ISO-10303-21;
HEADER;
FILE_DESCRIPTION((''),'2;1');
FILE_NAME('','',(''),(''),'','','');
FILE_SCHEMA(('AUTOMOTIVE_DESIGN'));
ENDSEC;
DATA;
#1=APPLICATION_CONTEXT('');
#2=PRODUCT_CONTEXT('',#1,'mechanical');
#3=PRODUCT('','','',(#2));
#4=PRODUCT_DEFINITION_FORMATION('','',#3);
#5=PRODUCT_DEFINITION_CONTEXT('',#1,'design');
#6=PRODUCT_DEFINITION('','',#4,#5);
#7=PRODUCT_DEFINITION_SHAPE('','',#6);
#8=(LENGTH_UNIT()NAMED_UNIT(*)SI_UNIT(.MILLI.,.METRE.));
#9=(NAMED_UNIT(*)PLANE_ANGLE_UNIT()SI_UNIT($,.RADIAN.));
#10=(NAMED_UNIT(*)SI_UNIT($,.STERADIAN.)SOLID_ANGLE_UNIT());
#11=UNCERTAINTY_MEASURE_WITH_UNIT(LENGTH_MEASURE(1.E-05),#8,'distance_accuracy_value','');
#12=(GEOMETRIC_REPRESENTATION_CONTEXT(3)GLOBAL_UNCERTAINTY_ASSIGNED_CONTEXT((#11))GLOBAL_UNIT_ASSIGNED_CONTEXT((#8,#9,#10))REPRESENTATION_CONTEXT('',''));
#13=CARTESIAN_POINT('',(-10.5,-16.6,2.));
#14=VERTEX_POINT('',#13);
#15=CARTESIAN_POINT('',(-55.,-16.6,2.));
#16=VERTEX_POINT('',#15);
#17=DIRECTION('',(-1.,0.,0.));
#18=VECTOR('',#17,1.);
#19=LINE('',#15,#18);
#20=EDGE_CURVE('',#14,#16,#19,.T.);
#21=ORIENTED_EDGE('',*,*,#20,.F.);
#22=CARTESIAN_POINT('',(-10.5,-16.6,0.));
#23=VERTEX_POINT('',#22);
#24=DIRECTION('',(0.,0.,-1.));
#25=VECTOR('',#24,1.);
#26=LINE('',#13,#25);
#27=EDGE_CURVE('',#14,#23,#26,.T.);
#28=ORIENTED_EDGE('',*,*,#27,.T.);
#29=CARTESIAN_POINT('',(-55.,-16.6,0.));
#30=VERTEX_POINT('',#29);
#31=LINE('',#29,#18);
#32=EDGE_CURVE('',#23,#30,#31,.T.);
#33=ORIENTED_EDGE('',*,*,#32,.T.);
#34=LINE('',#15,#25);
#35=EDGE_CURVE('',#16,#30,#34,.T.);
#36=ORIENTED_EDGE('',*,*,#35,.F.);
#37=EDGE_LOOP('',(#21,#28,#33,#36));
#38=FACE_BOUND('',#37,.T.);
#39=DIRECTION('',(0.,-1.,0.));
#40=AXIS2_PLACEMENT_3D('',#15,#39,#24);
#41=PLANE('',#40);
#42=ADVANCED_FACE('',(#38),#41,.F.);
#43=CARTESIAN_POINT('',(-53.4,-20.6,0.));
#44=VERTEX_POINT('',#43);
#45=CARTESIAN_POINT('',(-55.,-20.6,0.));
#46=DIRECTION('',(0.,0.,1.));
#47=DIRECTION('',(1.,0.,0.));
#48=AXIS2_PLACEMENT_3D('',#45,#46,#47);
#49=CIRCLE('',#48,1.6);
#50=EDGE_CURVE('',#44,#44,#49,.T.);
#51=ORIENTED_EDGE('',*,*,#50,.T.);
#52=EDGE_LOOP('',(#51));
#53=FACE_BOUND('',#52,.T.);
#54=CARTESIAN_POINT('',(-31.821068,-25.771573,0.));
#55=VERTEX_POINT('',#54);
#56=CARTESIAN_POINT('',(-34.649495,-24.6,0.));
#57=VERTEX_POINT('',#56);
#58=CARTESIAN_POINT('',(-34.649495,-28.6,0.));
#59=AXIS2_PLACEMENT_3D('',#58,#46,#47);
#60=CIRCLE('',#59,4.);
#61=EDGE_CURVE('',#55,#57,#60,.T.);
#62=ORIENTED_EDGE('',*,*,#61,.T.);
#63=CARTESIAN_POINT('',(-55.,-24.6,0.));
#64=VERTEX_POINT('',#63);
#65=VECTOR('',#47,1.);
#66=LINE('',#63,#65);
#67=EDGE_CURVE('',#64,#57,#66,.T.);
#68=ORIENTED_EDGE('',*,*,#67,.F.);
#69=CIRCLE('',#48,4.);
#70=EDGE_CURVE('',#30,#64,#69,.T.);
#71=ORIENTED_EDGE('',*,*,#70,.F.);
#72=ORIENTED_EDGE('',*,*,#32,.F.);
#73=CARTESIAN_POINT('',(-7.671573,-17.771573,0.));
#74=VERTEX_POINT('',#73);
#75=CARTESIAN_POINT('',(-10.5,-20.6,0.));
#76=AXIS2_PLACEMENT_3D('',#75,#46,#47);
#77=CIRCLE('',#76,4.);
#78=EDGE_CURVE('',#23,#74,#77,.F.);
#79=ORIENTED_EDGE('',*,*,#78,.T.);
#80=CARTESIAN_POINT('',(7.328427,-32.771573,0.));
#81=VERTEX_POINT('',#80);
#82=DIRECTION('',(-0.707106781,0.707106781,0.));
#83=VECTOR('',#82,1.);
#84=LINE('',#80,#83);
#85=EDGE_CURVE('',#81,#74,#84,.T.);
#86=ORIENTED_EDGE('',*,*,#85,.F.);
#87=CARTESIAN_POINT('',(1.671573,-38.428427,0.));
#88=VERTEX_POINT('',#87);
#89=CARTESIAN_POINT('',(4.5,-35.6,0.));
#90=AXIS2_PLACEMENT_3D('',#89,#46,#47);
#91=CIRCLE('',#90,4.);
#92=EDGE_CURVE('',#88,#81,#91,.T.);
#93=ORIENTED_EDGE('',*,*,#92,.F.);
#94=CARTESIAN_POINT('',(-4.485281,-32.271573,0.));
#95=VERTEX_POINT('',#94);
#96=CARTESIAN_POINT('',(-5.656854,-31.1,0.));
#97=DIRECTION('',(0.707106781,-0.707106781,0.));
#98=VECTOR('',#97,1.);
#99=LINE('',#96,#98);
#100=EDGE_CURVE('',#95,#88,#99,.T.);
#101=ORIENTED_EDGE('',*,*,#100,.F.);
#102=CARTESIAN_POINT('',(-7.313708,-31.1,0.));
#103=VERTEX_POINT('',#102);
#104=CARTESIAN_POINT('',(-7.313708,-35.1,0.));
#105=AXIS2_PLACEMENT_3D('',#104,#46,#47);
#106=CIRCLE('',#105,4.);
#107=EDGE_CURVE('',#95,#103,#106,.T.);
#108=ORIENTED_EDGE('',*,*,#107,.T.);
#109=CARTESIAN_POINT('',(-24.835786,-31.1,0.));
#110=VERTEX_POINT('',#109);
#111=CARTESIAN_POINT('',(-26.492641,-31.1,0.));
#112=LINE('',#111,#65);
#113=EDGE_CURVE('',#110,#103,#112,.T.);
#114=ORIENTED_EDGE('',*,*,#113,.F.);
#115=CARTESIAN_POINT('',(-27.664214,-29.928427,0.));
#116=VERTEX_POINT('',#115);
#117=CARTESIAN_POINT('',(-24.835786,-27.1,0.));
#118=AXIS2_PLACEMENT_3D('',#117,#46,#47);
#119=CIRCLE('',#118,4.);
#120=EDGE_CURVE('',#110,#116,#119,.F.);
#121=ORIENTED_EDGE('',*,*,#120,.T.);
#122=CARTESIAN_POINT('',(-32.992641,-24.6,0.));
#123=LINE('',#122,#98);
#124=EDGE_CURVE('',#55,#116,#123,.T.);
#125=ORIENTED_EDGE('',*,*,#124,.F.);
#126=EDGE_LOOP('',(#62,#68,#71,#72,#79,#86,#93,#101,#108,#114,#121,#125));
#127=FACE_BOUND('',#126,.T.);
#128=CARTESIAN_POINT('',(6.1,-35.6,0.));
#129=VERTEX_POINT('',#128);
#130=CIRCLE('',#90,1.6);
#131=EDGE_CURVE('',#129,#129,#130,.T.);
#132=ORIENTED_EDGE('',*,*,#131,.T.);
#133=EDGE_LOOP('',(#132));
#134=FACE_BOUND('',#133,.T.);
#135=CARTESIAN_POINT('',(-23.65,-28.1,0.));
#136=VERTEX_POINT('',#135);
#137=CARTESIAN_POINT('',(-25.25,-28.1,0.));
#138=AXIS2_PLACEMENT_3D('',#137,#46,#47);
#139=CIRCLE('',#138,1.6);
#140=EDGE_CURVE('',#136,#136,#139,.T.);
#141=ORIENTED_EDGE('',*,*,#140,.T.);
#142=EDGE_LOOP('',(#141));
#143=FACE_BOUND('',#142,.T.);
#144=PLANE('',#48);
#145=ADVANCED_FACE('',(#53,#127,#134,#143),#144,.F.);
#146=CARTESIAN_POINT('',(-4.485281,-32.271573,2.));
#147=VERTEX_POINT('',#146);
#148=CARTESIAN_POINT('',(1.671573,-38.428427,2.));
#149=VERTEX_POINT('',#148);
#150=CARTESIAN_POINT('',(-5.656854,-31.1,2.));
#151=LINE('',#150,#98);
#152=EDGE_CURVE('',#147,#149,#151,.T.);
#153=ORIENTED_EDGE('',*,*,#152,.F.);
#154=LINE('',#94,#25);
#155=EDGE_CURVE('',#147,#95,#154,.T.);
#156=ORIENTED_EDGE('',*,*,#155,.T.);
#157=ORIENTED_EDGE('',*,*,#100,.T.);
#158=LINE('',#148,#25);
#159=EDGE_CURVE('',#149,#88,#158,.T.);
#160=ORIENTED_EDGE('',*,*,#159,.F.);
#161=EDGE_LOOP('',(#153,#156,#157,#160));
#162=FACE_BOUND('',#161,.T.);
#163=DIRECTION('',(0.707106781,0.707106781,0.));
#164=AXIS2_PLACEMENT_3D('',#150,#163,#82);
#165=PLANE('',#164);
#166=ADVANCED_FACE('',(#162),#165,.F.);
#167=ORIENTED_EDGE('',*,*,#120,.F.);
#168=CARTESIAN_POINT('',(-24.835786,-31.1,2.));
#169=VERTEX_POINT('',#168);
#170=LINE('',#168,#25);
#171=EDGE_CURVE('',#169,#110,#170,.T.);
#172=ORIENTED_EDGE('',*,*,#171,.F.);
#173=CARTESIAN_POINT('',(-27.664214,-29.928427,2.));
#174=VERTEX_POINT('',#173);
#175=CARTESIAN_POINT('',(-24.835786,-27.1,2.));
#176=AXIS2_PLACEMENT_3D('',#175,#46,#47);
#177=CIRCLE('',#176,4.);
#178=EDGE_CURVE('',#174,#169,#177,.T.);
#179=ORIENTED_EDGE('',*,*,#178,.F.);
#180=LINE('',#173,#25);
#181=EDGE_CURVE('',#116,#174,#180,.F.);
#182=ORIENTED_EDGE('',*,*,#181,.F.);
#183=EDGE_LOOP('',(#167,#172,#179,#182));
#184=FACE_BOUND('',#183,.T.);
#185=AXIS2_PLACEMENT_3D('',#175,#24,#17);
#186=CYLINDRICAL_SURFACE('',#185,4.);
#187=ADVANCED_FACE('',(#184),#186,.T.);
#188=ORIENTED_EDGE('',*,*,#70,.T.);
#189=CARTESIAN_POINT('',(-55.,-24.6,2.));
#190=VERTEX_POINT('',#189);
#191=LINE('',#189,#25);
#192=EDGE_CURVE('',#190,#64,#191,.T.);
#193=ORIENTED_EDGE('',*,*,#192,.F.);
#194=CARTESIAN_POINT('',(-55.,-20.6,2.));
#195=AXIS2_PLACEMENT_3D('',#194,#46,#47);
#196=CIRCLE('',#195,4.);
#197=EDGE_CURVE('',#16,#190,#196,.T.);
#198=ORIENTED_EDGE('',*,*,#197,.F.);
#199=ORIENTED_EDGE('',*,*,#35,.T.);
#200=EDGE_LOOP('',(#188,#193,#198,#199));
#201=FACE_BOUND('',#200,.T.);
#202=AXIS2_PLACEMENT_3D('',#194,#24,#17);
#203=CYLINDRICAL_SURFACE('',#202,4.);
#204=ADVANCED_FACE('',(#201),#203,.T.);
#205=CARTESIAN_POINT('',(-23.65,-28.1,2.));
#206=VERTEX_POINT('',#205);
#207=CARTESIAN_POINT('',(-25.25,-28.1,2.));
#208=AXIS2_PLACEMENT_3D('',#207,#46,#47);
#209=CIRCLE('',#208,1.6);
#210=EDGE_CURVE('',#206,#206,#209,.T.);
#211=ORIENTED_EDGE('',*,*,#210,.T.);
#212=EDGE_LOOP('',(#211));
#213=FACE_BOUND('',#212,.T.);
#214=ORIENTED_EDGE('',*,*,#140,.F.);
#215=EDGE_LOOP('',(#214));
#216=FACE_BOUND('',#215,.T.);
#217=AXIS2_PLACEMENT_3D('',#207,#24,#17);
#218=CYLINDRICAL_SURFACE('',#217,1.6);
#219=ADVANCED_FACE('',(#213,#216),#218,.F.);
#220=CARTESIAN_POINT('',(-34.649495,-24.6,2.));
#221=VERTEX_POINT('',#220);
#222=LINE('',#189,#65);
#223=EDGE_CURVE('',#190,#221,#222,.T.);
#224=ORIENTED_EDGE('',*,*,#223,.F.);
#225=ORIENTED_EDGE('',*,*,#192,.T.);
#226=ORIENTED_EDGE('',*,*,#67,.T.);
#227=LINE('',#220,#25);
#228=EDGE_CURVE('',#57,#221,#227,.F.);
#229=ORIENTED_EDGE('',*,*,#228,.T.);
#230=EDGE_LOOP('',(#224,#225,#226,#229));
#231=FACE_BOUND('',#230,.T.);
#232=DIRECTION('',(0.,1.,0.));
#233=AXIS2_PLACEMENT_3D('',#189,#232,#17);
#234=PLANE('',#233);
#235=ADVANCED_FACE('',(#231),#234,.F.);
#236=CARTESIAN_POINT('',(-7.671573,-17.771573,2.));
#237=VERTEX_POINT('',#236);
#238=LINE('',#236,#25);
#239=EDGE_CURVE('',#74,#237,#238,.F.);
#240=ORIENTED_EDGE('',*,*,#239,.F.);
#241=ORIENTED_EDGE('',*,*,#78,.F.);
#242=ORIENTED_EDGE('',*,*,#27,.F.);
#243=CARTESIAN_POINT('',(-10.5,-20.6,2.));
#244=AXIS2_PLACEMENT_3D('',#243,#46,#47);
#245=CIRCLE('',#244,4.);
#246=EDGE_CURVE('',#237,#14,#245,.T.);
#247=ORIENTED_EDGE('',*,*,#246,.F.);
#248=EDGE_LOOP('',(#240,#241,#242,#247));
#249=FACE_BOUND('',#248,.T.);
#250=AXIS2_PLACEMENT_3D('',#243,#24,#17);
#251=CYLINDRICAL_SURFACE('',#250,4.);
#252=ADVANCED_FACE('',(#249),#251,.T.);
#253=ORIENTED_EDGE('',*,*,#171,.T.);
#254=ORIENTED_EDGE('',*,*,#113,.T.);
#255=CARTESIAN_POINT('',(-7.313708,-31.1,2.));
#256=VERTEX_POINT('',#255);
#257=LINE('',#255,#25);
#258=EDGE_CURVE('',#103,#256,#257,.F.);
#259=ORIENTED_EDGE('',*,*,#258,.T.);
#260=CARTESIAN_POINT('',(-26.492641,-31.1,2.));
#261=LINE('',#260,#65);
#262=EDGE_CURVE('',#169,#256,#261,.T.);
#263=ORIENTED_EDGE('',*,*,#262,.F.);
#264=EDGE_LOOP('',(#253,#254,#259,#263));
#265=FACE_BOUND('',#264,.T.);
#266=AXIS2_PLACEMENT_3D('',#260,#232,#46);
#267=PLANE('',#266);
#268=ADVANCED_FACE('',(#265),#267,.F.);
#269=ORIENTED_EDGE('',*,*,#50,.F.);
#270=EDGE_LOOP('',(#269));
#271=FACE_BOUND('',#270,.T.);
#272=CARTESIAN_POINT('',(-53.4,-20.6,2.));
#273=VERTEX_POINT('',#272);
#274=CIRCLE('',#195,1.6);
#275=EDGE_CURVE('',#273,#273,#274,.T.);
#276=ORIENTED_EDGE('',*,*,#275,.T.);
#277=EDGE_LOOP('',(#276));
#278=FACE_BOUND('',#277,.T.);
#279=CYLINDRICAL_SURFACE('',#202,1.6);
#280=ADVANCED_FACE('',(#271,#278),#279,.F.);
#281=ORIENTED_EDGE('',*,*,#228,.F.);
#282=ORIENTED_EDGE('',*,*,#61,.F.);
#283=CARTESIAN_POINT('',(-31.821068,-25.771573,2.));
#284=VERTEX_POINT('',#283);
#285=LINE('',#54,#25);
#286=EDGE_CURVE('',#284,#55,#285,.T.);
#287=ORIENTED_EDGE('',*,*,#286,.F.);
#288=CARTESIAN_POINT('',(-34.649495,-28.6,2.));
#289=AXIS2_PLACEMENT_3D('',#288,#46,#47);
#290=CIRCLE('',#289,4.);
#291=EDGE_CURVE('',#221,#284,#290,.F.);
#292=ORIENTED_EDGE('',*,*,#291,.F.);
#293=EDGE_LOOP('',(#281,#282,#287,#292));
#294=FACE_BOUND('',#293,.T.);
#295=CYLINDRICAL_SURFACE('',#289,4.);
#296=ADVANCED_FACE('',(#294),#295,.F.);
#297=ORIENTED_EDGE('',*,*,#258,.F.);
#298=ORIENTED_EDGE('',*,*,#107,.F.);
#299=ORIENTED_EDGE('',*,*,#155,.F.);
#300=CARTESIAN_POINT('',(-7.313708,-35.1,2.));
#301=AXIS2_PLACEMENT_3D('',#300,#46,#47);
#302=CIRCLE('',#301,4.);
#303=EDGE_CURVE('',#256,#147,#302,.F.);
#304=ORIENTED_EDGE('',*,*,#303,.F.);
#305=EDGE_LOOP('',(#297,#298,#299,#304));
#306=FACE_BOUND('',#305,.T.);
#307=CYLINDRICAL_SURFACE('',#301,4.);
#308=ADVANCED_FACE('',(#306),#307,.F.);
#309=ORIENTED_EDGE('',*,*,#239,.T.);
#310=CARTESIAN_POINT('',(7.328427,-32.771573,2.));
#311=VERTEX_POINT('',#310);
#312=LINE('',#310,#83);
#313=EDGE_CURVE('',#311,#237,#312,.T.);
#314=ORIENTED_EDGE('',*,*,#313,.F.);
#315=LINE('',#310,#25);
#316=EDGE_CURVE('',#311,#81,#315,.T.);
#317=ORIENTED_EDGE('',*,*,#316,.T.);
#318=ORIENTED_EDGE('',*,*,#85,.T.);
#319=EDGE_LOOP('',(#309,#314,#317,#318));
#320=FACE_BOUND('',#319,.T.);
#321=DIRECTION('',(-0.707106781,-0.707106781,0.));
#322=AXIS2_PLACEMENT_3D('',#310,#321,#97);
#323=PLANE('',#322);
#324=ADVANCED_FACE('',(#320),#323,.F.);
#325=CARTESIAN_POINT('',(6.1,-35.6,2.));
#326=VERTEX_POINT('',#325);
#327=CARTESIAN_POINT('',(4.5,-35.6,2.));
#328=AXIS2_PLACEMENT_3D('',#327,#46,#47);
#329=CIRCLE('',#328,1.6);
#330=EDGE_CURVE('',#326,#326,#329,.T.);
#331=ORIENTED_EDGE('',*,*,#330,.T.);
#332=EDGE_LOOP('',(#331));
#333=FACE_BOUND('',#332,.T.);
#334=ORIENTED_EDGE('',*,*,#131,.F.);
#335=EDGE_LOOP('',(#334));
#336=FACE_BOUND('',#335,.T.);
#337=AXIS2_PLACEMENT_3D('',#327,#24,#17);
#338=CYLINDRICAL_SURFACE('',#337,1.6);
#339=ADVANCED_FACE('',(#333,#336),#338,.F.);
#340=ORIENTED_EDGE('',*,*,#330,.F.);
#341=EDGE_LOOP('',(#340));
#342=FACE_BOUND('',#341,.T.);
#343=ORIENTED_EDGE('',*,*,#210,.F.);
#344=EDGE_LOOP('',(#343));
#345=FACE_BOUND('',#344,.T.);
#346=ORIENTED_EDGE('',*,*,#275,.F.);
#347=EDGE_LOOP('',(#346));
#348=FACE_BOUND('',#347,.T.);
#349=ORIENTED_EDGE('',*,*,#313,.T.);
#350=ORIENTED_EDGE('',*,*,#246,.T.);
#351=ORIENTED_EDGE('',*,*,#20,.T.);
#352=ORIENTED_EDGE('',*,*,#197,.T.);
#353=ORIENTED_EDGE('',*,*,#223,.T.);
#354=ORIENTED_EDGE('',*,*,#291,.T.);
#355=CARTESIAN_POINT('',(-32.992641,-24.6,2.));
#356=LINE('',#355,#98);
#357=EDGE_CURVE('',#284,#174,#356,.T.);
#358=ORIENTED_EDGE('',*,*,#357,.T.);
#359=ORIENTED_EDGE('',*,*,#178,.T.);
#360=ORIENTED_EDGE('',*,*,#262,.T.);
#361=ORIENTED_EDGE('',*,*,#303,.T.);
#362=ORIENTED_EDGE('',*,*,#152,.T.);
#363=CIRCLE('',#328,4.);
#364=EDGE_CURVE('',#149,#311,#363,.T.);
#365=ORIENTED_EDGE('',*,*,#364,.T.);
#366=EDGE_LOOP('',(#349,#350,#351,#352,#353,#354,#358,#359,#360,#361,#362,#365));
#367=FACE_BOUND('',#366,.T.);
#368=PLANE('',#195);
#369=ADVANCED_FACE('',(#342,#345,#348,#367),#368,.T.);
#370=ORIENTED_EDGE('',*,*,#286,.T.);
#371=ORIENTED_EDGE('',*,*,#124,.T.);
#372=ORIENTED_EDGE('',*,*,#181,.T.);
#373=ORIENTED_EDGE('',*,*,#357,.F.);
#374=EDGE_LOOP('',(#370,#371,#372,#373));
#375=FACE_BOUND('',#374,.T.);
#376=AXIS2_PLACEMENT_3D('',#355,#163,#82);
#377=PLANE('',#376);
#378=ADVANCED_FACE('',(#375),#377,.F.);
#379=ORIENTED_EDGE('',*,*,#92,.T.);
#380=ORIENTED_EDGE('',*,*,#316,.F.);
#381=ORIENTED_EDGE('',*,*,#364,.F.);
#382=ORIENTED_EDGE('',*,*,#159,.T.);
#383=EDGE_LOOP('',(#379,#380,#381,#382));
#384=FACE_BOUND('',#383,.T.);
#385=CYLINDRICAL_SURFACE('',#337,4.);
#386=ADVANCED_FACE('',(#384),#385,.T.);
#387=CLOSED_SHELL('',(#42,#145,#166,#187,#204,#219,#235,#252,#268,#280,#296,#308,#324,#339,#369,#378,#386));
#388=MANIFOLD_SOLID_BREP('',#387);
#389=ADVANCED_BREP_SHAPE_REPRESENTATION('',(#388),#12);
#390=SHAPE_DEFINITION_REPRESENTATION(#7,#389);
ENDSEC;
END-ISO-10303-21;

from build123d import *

# Parameters (mm, degrees)
SKETCH1_R           = 1.6
BOSS_EXTRUDE1_DEPTH = 2
FILLET1_R           = 4


with BuildPart() as part:
    # Sketch1 → Boss-Extrude1 (new body)
    with BuildSketch(Plane.XY):
        with BuildLine():
            Line((-32.992640687, -24.6), (-26.492640687, -31.1))
            Line((-26.492640687, -31.1), (-5.656854249, -31.1))
            Line((-5.656854249, -31.1), (1.671572875, -38.428427125))
            ThreePointArc((1.671572875, -38.428427125), (7.328427125, -38.428427125), (7.328427125, -32.771572875))
            Line((7.328427125, -32.771572875), (-8.843145751, -16.6))
            Line((-8.843145751, -16.6), (-55, -16.6))
            ThreePointArc((-55, -16.6), (-59, -20.6), (-55, -24.6))
            Line((-55, -24.6), (-32.992640687, -24.6))
        make_face()
        with Locations((-25.25, -28.1)):
            Circle(SKETCH1_R, mode=Mode.SUBTRACT)
        with Locations((4.5, -35.6)):
            Circle(SKETCH1_R, mode=Mode.SUBTRACT)
        with Locations((-55, -20.6)):
            Circle(SKETCH1_R, mode=Mode.SUBTRACT)
    extrude(amount=BOSS_EXTRUDE1_DEPTH)

    # Fillet1
    fillet1_edges = [part.edges().sort_by_distance(p)[0] for p in [
        (-8.843145751, -16.6, 1),
        (-5.656854249, -31.1, 1),
        (-26.492640687, -31.1, 1),
        (-32.992640687, -24.6, 1),
    ]]
    fillet(fillet1_edges, radius=FILLET1_R)


solid = part.part
